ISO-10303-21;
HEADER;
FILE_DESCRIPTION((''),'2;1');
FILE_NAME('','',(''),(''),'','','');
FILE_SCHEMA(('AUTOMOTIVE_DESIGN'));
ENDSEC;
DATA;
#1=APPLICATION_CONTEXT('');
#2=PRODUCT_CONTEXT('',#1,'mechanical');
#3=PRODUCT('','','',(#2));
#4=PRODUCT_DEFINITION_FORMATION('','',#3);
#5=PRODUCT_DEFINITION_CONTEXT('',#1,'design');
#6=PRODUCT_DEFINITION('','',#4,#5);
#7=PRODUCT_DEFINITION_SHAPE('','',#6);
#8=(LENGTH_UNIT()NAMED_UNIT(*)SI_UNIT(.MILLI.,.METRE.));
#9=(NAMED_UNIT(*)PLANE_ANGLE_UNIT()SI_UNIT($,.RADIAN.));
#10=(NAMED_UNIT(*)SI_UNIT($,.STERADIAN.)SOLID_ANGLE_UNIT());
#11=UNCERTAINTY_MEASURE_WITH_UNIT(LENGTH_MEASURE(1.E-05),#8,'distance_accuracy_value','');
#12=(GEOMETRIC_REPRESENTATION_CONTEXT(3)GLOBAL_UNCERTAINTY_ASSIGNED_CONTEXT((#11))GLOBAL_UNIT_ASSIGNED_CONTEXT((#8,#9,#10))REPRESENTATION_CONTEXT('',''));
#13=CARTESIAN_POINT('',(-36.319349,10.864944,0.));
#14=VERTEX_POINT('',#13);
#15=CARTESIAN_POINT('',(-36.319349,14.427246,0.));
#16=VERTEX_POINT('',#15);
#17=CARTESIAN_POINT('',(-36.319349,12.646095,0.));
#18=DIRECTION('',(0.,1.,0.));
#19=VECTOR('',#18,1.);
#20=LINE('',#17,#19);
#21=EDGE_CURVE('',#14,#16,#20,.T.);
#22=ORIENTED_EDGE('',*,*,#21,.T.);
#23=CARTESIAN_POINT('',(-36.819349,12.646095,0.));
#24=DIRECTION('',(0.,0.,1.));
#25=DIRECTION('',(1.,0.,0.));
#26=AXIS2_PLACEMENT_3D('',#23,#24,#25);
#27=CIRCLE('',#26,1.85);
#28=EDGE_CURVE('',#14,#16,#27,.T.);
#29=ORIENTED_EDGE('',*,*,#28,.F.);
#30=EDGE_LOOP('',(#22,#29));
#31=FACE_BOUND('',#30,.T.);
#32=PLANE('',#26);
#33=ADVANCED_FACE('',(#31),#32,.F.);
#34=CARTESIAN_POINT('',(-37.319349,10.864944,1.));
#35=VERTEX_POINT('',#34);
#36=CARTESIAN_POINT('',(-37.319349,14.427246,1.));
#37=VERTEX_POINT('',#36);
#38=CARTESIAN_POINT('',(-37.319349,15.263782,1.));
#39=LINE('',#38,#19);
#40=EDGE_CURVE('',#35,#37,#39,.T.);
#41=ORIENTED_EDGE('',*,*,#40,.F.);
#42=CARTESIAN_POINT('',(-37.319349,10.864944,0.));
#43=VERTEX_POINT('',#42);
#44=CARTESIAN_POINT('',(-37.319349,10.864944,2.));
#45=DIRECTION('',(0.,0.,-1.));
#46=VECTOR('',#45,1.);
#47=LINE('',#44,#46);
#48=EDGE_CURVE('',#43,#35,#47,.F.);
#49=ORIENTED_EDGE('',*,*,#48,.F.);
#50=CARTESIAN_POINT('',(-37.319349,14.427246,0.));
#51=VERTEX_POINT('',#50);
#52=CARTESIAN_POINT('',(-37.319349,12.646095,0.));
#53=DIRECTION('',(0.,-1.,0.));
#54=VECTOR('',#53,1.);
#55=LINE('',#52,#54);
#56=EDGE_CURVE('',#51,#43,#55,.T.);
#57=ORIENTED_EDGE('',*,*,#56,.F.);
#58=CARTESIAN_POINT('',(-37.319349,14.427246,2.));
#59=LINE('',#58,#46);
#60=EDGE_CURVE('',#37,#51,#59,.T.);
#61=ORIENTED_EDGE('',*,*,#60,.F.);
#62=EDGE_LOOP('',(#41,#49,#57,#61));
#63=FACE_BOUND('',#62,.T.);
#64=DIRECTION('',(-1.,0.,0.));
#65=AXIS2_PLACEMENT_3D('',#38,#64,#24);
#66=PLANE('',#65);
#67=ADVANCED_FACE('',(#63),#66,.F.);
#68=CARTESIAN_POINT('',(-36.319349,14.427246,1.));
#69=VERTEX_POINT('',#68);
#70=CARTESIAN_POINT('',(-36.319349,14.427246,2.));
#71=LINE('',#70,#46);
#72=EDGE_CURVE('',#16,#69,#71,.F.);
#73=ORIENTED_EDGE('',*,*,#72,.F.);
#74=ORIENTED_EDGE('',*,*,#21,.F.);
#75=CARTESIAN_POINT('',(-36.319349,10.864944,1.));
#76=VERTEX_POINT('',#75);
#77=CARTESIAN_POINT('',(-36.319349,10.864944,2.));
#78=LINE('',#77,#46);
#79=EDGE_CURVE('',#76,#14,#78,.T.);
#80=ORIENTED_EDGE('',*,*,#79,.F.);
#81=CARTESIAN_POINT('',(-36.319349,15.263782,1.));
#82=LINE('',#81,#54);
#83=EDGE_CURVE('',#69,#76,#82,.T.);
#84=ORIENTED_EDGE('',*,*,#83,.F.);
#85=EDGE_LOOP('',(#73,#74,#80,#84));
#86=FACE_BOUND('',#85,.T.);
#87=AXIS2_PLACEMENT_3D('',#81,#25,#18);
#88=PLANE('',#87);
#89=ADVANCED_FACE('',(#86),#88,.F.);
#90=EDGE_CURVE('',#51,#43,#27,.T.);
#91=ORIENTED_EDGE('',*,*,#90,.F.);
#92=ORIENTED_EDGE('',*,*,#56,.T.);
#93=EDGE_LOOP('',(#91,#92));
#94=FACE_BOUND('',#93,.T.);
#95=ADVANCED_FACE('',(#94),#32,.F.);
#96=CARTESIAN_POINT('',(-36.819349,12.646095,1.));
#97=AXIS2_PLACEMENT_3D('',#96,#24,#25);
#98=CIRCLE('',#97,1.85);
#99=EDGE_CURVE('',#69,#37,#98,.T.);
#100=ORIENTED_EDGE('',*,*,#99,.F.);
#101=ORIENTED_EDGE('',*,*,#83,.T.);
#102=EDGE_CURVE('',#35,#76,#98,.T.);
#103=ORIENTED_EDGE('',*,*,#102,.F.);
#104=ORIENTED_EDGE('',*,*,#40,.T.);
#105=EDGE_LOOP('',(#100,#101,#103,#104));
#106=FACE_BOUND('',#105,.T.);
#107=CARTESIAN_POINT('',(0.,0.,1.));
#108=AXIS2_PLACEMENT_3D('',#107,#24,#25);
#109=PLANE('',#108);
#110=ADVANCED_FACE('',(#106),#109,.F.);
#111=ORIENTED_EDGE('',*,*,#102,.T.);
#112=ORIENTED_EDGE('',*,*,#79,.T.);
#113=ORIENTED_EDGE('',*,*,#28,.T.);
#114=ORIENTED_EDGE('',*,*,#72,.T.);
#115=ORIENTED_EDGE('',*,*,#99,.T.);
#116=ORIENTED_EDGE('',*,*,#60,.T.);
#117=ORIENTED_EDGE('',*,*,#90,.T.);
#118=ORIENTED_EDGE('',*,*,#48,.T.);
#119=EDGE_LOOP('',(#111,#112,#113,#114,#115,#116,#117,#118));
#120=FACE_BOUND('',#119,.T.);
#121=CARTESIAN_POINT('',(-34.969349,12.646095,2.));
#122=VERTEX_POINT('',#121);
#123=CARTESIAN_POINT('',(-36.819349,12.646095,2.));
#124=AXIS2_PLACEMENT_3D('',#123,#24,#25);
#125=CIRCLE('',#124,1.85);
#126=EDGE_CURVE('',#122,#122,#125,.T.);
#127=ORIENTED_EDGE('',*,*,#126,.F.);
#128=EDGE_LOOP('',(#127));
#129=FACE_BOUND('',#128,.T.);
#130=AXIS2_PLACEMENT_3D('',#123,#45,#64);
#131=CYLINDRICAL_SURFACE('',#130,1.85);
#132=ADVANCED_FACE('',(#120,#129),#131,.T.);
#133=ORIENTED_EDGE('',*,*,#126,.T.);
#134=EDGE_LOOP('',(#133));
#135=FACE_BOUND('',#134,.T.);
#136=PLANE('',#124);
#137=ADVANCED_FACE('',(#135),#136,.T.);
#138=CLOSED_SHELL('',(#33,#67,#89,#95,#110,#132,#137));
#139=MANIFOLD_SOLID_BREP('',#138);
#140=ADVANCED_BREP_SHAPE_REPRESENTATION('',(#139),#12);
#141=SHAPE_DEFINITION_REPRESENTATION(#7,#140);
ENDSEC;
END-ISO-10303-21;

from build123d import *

# Parameters (mm, degrees)
ESBO_O1_R                = 1.85
RESSALTO_EXTRUS_O1_DEPTH = 2
ESBO_O2_W                = 1
ESBO_O2_H                = 5.130124138
CORTE_EXTRUS_O1_DEPTH    = 1


with BuildPart() as part:
    # Esboço1 → Ressalto-extrusão1 (new body)
    with BuildSketch(Plane.XY):
        with Locations((-36.819348603, 12.646095076)):
            Circle(ESBO_O1_R)
    extrude(amount=RESSALTO_EXTRUS_O1_DEPTH)

    # Esboço2 → Corte-extrusão1 (cut)
    with BuildSketch(Plane(origin=(0, 0, 0), x_dir=(-1, 0, 0), z_dir=(0, 0, -1))):
        with Locations((36.819348603, 12.69871976)):
            Rectangle(ESBO_O2_W, ESBO_O2_H)
    extrude(amount=-CORTE_EXTRUS_O1_DEPTH, mode=Mode.SUBTRACT)


solid = part.part
